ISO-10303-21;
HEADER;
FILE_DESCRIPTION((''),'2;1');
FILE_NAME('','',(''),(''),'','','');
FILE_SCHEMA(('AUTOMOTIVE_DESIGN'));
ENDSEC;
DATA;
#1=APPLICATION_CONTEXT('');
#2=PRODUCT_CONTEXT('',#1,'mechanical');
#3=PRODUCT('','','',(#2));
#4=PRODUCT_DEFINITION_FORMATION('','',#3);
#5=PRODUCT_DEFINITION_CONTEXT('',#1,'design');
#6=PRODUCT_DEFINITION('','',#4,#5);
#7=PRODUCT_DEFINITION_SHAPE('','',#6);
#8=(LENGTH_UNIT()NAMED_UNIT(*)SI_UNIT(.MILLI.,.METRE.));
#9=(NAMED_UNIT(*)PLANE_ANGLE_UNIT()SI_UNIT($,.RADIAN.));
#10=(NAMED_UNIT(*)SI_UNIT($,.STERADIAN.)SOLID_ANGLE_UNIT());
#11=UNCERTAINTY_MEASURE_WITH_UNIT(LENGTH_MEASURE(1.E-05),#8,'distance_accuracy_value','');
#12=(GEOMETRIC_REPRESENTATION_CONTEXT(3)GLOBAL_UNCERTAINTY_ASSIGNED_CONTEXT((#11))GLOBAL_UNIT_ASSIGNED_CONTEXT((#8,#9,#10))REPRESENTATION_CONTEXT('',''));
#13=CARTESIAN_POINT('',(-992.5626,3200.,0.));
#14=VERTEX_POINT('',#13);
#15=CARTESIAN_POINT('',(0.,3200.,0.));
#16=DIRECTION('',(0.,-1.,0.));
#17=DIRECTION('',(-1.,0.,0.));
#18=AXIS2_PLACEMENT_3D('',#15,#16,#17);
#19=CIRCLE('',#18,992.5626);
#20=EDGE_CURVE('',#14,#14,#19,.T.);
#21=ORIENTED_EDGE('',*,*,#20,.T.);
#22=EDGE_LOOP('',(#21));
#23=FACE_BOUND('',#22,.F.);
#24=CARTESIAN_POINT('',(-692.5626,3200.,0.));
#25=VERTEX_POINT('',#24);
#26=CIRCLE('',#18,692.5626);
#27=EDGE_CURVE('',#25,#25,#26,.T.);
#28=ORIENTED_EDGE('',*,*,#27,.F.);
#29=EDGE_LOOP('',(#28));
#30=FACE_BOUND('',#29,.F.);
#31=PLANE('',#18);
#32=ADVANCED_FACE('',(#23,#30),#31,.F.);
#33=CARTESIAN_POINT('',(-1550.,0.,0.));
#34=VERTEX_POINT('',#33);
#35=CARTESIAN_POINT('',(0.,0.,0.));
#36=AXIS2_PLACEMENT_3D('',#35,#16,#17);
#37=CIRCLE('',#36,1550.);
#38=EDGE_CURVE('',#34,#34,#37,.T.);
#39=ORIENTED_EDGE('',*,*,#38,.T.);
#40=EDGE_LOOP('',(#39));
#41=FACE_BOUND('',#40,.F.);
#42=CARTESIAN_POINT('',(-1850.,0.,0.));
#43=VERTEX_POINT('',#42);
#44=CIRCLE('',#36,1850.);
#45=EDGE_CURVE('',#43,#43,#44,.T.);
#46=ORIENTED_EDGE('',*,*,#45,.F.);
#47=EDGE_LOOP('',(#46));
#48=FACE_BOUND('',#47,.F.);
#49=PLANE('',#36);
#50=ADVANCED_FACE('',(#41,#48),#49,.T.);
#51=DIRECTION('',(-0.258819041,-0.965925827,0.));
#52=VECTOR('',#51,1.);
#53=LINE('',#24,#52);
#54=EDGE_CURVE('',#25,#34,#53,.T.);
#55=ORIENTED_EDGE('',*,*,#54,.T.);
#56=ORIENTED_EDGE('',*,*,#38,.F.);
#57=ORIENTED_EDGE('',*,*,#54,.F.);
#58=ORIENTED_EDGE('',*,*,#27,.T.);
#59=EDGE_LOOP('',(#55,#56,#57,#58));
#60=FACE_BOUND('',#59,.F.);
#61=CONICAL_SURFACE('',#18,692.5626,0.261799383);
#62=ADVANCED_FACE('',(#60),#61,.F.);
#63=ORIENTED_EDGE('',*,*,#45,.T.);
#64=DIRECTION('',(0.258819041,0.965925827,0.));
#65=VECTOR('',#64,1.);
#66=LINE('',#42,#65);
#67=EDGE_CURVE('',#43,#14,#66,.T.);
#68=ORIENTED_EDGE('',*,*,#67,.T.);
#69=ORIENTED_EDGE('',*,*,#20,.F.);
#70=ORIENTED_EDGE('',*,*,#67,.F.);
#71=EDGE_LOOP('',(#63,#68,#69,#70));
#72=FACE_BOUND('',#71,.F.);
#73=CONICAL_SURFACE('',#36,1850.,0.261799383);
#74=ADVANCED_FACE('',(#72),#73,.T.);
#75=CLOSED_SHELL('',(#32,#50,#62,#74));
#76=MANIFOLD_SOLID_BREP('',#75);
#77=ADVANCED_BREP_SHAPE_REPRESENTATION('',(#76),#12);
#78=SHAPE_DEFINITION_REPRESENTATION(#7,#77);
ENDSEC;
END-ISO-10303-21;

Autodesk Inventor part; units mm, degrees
ref_plane "YZ Plane" through (0, 0, 0) normal (1, 0, 0) x (0, 1, 0)
ref_plane "XZ Plane" through (0, 0, 0) normal (0, 1, 0) x (-1, 0, 0)
ref_plane "XY Plane" through (0, 0, 0) normal (0, 0, 1) x (1, 0, 0)
sketch "Sketch1" plane through (0, 0, 0) normal (0, 0, 1) x (1, 0, 0)
  line L0 (-1550, 0) -> (-1850, 0)
  line L1 (0, 3840) -> (0, -640) projected
  line L2 (0, 0) -> (3200, 0) construction
  line L3 (-1850, 0) -> (-992.5626, 3200)
  line L4 (-1850, 0) -> (1583.2735, 0) construction
  line L5 (-992.5626, 3200) -> (-692.5626, 3200)
  line L6 (-992.5626, 3200) -> (-692.5626, 3200) construction
  line L7 (-692.5626, 3200) -> (-1550, 0)
  dimension "d0" = 1850
  dimension "d5" = 75
  dimension "d6" = 300
  dimension "d7" = 0
revolve "Revolution1" add sketch "Sketch1" angle 360 about axis through (0, 0, 0) along (0, -1, 0)
properties part number "pressurechamber"
